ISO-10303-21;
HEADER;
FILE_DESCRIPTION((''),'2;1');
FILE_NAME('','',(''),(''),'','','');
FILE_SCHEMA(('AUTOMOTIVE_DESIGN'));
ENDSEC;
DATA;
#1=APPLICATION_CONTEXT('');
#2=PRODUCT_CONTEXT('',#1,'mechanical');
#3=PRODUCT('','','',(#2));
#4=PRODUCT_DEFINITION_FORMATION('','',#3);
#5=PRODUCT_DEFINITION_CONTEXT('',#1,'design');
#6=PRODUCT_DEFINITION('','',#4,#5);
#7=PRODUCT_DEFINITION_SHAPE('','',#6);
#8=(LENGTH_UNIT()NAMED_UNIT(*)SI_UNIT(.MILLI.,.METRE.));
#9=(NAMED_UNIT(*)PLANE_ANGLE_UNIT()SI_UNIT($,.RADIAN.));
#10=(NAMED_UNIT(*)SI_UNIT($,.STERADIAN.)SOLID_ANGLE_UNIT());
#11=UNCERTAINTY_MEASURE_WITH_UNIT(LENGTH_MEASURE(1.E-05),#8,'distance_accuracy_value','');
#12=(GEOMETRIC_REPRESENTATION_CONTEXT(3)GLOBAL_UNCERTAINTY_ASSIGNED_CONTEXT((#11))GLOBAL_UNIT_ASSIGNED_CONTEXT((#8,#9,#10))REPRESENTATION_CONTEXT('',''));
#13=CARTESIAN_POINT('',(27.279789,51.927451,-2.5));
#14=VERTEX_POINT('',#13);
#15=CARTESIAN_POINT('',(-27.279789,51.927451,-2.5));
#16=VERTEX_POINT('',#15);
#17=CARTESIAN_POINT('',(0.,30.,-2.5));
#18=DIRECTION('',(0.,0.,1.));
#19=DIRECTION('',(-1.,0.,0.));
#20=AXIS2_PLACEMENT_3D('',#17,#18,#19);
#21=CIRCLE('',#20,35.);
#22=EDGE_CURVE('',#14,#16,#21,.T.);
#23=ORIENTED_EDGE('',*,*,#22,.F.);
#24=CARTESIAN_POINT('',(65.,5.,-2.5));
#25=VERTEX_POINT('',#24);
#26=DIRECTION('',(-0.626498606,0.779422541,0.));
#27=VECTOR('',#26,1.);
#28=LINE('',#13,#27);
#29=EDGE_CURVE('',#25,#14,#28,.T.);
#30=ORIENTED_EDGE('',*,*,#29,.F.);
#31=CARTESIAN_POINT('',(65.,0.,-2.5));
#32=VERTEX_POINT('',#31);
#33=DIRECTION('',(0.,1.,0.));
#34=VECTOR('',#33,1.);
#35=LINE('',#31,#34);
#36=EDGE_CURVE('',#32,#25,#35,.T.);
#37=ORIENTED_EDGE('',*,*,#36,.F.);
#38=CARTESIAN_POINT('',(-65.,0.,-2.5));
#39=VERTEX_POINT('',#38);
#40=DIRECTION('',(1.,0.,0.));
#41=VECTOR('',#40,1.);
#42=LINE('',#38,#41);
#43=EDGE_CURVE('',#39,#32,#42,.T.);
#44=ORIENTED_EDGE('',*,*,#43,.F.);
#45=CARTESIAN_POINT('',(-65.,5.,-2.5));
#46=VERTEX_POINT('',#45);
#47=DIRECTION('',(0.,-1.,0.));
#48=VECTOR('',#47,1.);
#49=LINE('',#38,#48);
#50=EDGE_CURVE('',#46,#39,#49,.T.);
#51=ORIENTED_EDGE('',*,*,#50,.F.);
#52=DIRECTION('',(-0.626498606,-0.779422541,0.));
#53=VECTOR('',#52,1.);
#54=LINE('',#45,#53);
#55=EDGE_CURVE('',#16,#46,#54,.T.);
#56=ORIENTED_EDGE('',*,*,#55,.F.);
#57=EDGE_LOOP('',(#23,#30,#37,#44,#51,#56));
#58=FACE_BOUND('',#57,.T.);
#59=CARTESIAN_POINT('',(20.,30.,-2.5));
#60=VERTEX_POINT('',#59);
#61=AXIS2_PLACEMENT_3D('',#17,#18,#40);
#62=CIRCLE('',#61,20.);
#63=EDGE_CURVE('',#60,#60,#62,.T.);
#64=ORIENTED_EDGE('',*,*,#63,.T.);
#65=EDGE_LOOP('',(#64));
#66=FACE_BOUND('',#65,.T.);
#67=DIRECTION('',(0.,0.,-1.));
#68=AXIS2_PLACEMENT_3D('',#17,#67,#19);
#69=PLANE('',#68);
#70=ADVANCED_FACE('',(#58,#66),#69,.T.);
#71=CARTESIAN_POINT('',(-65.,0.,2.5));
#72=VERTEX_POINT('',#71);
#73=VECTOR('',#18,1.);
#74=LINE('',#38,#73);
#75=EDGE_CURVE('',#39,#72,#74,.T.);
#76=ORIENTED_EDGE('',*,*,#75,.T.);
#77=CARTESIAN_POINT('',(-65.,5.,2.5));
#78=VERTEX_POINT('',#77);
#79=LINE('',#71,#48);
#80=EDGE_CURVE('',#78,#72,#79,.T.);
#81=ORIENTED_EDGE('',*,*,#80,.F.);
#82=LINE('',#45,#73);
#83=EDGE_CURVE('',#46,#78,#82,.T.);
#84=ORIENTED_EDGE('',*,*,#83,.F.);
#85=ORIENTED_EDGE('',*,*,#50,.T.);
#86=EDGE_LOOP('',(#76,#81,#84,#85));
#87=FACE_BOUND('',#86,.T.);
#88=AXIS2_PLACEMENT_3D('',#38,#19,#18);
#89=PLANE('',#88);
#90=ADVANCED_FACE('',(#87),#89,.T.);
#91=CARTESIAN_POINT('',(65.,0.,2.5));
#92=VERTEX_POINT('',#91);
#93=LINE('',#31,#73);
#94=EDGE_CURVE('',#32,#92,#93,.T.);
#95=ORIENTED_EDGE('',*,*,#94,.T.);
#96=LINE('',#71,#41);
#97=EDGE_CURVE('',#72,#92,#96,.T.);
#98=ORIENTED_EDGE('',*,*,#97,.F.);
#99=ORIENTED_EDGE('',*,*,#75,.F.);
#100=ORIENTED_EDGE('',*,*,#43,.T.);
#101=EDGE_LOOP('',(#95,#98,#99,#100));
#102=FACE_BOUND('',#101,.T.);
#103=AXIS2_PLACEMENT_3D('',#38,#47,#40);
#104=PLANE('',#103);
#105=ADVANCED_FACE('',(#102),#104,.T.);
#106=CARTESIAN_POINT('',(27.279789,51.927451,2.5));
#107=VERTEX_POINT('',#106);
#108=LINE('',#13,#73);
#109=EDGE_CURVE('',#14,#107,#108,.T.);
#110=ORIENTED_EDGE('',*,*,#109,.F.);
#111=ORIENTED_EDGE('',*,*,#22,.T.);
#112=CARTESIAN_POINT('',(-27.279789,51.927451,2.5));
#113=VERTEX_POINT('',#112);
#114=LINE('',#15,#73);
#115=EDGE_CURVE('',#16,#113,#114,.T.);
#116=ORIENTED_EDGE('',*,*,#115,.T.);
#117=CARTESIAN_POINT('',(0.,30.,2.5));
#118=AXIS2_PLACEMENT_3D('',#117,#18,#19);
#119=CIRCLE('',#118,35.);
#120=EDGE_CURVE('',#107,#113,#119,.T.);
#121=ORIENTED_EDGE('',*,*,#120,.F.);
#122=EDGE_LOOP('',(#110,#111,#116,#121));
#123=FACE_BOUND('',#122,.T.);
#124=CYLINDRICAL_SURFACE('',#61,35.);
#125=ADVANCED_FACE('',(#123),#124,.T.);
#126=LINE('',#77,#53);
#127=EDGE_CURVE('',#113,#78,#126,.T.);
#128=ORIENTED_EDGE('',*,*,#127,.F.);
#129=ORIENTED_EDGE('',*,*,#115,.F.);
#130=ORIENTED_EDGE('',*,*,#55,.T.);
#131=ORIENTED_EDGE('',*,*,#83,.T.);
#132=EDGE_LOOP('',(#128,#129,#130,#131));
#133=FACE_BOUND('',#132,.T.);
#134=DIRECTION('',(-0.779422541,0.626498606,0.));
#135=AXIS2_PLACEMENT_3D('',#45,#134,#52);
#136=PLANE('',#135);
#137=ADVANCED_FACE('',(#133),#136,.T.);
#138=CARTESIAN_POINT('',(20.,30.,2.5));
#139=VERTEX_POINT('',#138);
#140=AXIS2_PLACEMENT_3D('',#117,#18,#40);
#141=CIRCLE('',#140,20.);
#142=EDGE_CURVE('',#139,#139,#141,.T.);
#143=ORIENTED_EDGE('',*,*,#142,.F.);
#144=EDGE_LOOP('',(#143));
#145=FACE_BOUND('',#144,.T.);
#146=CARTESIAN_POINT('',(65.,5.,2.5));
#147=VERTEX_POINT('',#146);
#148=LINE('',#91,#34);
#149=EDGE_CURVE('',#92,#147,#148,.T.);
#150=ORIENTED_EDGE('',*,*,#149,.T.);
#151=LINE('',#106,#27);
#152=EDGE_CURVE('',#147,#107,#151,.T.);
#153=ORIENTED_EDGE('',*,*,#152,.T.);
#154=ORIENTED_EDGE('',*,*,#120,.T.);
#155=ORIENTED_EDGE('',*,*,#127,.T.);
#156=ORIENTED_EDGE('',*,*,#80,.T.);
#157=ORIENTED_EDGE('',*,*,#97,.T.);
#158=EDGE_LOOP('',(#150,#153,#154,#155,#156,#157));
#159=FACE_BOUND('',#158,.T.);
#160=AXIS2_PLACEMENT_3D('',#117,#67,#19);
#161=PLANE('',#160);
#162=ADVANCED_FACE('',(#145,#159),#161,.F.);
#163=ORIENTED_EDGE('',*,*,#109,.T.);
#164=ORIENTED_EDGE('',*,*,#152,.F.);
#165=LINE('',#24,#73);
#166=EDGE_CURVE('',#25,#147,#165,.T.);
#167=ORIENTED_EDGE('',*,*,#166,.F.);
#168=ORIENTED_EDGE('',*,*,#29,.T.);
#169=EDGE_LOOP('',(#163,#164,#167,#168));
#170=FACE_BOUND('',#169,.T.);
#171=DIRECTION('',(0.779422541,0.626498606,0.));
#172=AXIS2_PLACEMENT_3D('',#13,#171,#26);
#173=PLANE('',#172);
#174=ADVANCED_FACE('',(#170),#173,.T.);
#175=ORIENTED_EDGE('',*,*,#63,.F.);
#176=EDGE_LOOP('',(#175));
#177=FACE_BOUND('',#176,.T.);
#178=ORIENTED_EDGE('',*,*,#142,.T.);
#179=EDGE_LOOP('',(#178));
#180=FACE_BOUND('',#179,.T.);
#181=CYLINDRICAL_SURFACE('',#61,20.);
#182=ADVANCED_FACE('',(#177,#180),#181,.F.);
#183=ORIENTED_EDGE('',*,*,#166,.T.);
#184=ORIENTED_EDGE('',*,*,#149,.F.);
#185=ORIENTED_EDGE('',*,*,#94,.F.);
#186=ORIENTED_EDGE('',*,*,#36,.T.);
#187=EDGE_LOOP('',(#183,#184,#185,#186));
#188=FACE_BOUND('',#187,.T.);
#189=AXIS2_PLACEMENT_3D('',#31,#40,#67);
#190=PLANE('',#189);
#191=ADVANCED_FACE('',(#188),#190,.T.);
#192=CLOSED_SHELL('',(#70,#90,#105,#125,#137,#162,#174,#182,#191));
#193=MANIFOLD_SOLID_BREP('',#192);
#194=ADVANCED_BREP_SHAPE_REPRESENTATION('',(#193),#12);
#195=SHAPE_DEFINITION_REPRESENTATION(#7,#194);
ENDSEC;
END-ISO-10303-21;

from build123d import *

# Parameters (mm, degrees)
EXTRUDE_1_DEPTH      = 2.5
EXTRUDE_1_DEPTH_BACK = 2.5
SKETCH_1_R           = 20


with BuildPart() as part:
    # Эскиз1 → Бобышка-Вытянуть1 (new, two sides: drawn at the far end of the back side and taken through both)
    with BuildSketch(Plane.XY.offset(-EXTRUDE_1_DEPTH_BACK)):
        with BuildLine():
            Line((-65, 5), (-27.279788924, 51.927451203))
            ThreePointArc((-27.279788924, 51.927451203), (0, 65), (27.279788924, 51.927451203))
            Line((27.279788924, 51.927451203), (65, 5))
            Line((65, 5), (65, 0))
            Line((65, 0), (-65, 0))
            Line((-65, 0), (-65, 5))
        make_face()
        with Locations((0, 30)):
            Circle(SKETCH_1_R, mode=Mode.SUBTRACT)
    extrude(amount=EXTRUDE_1_DEPTH + EXTRUDE_1_DEPTH_BACK)


solid = part.part
